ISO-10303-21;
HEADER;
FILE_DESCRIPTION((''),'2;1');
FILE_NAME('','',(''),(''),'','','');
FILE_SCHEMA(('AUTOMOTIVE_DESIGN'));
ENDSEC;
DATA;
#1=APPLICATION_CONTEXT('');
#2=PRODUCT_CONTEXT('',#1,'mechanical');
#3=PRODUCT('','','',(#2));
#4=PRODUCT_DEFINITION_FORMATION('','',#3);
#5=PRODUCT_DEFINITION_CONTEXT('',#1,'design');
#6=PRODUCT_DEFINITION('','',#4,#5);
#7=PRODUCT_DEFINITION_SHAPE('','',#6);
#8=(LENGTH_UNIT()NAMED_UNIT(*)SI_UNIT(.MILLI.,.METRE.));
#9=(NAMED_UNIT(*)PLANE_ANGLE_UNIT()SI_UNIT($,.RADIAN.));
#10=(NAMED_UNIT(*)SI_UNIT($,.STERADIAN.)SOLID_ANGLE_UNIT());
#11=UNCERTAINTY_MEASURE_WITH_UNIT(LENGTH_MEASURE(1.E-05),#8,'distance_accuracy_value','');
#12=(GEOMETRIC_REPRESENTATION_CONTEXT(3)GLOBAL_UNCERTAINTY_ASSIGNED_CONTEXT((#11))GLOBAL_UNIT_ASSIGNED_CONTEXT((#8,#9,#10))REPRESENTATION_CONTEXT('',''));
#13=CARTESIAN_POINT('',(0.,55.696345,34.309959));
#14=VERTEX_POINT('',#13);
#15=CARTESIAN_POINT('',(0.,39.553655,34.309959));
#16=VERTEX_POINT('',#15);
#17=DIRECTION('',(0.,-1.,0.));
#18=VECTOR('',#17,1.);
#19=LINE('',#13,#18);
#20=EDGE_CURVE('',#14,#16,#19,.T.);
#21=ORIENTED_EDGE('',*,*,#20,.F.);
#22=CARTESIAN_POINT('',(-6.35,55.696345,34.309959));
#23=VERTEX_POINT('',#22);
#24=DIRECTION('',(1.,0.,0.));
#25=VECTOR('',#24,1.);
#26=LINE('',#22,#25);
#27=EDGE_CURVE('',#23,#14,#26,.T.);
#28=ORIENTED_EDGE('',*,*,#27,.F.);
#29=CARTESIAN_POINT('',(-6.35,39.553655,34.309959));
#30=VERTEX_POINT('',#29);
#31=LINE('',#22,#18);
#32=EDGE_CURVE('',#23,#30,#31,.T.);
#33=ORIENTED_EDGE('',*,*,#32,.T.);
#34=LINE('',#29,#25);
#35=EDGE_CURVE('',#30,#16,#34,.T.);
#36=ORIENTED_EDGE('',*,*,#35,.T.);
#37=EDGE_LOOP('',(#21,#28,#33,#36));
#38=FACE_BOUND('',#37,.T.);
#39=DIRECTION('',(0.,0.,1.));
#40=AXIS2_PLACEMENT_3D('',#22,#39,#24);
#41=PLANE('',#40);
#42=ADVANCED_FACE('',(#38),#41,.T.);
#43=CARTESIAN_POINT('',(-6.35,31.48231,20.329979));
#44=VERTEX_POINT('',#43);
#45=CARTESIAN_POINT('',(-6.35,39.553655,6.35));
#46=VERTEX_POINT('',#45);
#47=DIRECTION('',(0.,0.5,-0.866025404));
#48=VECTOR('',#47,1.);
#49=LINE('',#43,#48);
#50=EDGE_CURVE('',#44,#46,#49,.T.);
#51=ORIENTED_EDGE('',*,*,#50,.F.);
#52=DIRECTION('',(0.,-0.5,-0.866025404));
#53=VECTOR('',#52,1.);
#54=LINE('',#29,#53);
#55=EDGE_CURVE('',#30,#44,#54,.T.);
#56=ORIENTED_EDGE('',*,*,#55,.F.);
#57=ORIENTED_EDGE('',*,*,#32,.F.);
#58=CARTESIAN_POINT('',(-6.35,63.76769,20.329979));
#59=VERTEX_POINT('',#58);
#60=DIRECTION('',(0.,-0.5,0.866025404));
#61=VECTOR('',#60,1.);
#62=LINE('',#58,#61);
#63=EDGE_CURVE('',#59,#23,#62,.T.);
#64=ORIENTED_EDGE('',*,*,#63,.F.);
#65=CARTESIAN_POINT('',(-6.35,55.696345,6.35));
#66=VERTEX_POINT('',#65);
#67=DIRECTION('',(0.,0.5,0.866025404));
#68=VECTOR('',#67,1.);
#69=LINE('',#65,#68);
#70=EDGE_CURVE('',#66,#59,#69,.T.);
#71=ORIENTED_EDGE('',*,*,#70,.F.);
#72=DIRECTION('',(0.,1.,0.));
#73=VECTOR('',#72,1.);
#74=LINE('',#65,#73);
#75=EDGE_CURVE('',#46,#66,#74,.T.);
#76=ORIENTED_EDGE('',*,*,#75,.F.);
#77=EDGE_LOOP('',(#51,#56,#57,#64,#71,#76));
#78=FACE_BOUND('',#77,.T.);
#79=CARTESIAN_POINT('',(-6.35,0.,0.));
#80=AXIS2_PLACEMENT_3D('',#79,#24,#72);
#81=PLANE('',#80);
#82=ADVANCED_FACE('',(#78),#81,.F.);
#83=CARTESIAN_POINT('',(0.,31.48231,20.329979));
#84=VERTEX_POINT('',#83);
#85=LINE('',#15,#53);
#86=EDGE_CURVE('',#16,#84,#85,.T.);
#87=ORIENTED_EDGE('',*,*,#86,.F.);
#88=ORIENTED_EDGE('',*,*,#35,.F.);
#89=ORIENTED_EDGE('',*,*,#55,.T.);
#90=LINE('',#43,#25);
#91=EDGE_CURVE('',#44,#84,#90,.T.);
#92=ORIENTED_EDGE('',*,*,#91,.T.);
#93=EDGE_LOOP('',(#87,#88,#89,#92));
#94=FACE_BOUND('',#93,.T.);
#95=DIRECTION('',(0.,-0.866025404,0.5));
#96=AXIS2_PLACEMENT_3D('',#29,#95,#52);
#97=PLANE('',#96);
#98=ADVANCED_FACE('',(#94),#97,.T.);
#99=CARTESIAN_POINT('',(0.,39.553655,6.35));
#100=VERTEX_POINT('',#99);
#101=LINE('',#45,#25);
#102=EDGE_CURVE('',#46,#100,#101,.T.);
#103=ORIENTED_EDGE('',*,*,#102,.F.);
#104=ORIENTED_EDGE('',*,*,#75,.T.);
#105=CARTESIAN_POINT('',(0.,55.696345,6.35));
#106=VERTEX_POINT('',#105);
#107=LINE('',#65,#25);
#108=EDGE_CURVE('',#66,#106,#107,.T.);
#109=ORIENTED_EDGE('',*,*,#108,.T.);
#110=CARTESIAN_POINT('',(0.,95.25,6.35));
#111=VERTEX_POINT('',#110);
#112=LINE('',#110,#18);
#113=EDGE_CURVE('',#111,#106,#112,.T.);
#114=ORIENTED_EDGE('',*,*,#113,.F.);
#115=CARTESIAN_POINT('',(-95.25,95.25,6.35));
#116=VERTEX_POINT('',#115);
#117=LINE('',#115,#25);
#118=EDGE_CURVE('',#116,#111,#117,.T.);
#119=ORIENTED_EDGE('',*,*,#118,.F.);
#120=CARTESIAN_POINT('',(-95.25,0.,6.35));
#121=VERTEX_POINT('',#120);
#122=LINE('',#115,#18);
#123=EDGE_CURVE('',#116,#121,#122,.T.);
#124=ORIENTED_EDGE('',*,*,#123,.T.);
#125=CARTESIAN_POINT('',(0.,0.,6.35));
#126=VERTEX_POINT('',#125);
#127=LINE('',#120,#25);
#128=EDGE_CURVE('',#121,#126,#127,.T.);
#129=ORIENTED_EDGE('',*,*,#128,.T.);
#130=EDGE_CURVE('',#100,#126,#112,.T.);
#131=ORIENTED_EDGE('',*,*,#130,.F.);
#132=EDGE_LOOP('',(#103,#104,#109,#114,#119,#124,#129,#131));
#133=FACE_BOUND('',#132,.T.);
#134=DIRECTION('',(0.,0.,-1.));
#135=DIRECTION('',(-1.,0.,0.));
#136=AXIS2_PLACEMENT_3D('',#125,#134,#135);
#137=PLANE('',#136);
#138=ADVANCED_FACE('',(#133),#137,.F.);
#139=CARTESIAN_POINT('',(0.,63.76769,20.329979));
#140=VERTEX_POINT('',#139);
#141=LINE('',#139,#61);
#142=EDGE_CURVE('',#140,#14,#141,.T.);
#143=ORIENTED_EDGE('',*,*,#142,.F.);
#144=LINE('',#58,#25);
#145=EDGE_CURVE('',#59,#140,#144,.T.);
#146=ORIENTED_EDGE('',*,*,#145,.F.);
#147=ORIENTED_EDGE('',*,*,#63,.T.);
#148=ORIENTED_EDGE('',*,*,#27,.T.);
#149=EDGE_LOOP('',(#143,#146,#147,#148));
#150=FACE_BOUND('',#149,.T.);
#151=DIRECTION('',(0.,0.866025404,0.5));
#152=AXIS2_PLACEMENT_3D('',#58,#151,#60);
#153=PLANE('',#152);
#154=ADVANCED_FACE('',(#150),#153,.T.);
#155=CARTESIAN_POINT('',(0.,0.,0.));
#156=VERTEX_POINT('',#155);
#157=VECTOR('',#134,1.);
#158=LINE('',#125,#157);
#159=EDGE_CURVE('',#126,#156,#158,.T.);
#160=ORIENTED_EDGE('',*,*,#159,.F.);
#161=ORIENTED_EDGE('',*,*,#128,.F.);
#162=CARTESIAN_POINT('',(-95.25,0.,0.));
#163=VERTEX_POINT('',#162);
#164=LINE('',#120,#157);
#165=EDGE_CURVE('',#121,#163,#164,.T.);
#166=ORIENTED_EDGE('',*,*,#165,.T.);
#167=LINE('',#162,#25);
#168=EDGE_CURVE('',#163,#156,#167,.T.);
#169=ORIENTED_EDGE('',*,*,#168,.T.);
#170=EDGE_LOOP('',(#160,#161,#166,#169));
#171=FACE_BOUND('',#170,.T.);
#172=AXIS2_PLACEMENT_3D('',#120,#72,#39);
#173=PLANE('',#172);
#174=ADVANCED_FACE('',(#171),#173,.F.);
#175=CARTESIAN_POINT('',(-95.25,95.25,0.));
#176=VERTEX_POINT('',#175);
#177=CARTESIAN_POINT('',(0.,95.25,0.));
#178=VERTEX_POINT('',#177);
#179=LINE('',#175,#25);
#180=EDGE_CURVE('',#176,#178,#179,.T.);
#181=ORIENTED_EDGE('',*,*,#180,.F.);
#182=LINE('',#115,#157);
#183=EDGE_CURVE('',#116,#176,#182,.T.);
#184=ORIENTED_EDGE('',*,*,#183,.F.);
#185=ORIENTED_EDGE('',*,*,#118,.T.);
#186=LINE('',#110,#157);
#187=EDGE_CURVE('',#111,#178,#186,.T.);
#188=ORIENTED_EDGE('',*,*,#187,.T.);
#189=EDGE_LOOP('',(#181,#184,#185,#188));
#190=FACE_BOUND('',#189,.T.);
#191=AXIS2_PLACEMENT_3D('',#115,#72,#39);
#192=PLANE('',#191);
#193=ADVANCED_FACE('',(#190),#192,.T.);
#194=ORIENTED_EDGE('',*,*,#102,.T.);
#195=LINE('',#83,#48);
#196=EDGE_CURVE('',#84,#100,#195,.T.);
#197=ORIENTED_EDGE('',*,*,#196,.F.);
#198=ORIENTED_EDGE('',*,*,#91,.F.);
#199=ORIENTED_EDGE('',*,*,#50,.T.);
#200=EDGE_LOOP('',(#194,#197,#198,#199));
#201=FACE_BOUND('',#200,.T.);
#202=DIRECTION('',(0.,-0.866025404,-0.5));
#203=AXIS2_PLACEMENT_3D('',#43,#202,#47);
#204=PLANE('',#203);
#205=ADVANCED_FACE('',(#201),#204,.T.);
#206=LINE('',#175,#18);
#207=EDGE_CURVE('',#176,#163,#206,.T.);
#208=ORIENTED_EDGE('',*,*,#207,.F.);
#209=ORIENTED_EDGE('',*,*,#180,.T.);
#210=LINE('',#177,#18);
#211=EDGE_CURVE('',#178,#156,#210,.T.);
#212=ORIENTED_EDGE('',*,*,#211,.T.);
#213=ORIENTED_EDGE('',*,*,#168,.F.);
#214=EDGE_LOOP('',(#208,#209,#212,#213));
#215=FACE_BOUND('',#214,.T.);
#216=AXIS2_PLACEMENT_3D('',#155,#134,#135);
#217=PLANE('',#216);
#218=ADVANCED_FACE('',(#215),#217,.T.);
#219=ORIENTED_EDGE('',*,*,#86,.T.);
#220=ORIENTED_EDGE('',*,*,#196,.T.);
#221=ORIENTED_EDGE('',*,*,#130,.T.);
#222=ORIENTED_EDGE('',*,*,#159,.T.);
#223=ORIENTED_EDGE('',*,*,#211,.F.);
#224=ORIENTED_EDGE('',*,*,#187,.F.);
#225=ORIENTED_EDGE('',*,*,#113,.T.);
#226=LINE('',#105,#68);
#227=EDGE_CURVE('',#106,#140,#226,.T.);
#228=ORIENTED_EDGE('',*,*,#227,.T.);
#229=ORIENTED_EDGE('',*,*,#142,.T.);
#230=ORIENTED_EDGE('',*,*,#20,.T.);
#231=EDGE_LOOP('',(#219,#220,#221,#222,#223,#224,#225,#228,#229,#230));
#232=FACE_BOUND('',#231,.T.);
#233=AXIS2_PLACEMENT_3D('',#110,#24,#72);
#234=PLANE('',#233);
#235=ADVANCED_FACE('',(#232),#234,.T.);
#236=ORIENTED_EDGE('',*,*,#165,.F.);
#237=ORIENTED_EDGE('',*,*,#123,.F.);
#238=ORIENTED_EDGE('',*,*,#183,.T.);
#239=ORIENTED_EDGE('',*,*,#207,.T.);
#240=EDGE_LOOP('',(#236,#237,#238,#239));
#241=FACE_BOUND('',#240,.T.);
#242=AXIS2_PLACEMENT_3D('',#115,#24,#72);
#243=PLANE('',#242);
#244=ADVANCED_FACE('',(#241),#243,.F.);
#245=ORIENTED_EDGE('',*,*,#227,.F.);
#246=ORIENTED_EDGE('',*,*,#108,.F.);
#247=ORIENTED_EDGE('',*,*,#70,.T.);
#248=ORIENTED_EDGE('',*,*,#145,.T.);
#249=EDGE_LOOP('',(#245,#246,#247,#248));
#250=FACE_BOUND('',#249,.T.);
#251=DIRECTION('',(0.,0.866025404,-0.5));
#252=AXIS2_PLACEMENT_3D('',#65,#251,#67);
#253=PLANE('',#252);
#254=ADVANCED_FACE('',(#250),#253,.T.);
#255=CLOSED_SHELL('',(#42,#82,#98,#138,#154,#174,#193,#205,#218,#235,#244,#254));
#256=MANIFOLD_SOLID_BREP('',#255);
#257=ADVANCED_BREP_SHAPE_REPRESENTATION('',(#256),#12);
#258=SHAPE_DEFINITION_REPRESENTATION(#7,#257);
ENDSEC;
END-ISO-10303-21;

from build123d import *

# Parameters (mm, degrees)
SKETCH1_W           = 95.25
SKETCH1_H           = 95.25
BOSS_EXTRUDE1_DEPTH = 6.35
BOSS_EXTRUDE2_DEPTH = 6.35


with BuildPart() as part:
    # Sketch1 → Boss-Extrude1 (new body)
    with BuildSketch(Plane.XY):
        with Locations((-47.625, 47.625)):
            Rectangle(SKETCH1_W, SKETCH1_H)
    extrude(amount=BOSS_EXTRUDE1_DEPTH)

    # Sketch3 → Boss-Extrude2 (add)
    with BuildSketch(Plane(origin=(0, 0, 0), x_dir=(0, 0, -1), z_dir=(1, 0, 0))):
        Polygon((-6.35, 55.696344872), (-20.329979404, 63.767689744), (-34.309958807, 55.696344872), (-34.309958807, 39.553655128), (-20.329979404, 31.482310256), (-6.35, 39.553655128), align=None)
    extrude(amount=-BOSS_EXTRUDE2_DEPTH)


solid = part.part
